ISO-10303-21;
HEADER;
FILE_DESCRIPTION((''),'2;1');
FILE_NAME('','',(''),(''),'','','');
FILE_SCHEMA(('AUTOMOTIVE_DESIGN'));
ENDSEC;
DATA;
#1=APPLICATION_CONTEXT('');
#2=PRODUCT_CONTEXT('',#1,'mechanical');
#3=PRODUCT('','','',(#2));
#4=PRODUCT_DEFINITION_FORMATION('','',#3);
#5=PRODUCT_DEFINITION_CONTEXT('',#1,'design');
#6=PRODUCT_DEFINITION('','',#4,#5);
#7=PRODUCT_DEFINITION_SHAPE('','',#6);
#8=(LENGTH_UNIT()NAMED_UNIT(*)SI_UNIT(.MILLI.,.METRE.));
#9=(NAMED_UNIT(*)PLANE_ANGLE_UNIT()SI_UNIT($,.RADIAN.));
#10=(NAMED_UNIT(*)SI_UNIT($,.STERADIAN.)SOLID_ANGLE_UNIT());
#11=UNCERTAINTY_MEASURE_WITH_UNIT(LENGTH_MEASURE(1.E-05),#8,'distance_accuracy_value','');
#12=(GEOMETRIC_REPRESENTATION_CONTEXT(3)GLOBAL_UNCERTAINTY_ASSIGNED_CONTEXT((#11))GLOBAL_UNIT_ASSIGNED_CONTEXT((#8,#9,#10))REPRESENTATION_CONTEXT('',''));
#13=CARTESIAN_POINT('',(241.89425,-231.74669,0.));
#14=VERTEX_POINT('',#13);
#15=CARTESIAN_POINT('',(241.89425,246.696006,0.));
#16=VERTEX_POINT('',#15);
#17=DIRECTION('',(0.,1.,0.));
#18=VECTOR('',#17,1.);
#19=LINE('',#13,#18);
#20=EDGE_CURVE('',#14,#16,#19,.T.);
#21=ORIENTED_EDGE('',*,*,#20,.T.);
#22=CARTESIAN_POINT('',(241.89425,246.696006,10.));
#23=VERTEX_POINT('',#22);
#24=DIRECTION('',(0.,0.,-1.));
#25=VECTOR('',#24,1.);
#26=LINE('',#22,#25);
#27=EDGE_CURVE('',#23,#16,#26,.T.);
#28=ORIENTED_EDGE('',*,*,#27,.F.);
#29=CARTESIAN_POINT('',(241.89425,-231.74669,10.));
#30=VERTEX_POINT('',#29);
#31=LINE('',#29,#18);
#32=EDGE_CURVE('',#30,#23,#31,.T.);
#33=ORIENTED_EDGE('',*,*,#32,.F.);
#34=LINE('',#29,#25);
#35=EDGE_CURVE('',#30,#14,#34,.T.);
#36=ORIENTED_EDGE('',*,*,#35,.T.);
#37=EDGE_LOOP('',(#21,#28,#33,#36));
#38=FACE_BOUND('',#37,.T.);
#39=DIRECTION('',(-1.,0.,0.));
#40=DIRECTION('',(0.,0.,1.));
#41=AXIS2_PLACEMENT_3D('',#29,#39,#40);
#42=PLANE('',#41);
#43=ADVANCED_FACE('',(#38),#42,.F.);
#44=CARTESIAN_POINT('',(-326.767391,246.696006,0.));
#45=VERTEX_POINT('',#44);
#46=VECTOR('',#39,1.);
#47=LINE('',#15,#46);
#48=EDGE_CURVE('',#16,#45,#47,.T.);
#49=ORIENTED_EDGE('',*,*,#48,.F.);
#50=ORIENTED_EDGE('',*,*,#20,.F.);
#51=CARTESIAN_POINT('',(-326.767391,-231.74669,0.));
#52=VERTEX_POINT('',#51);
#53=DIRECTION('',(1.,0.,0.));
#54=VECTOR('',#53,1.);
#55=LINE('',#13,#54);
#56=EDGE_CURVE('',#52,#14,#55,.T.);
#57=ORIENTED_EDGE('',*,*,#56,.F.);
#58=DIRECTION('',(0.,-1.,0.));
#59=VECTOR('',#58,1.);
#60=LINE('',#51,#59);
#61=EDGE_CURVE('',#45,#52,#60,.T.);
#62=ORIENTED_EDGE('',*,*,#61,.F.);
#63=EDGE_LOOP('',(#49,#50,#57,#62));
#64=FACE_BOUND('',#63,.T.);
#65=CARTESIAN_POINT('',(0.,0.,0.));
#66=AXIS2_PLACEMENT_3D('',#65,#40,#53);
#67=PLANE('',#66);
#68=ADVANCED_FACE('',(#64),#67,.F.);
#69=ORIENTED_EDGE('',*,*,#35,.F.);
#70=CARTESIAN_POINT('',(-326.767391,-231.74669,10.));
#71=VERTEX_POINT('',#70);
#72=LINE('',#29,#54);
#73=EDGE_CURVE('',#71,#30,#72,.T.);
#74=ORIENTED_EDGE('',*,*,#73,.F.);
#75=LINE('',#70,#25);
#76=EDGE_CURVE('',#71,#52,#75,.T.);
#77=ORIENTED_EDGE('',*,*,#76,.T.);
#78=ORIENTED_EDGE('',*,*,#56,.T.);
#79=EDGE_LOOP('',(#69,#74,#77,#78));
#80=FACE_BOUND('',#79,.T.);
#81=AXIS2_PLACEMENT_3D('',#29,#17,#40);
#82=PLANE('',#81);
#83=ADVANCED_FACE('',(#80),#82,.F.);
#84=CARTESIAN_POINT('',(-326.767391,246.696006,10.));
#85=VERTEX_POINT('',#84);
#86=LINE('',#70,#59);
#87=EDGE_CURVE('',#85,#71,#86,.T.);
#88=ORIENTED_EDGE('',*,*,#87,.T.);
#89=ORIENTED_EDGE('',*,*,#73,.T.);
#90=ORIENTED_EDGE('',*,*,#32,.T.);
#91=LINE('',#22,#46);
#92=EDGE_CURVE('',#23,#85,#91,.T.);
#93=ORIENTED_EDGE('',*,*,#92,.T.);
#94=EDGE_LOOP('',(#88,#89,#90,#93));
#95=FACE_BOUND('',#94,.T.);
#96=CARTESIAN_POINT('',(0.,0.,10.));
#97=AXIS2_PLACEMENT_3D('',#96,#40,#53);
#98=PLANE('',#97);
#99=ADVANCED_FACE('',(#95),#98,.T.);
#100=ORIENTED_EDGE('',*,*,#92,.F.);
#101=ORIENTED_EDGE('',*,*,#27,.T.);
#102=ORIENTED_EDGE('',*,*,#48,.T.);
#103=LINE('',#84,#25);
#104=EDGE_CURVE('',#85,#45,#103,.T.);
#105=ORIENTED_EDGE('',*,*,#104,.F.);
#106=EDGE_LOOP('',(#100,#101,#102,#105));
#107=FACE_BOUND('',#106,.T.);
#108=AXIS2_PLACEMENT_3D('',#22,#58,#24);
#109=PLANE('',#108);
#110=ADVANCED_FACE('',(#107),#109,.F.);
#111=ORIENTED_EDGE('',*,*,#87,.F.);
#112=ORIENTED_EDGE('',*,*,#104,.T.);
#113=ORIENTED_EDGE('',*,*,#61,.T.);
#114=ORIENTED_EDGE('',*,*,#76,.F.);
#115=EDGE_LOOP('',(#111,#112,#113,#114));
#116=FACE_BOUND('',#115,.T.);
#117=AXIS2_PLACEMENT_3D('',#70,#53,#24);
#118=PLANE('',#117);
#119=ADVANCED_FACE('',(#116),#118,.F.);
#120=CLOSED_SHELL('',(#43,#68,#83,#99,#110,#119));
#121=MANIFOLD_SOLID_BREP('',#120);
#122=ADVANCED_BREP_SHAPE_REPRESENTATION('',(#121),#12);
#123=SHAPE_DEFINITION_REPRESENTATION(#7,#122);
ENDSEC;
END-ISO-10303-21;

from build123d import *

# Parameters (mm, degrees)
SKETCH_1_W      = 568.661641695
SKETCH_1_H      = 478.442695945
EXTRUDE_1_DEPTH = 10


with BuildPart() as part:
    # 草图1 → 凸台-拉伸1 (new body)
    with BuildSketch(Plane.XY):
        with Locations((-42.43657046, 7.474657651)):
            Rectangle(SKETCH_1_W, SKETCH_1_H)
    extrude(amount=EXTRUDE_1_DEPTH)


solid = part.part
